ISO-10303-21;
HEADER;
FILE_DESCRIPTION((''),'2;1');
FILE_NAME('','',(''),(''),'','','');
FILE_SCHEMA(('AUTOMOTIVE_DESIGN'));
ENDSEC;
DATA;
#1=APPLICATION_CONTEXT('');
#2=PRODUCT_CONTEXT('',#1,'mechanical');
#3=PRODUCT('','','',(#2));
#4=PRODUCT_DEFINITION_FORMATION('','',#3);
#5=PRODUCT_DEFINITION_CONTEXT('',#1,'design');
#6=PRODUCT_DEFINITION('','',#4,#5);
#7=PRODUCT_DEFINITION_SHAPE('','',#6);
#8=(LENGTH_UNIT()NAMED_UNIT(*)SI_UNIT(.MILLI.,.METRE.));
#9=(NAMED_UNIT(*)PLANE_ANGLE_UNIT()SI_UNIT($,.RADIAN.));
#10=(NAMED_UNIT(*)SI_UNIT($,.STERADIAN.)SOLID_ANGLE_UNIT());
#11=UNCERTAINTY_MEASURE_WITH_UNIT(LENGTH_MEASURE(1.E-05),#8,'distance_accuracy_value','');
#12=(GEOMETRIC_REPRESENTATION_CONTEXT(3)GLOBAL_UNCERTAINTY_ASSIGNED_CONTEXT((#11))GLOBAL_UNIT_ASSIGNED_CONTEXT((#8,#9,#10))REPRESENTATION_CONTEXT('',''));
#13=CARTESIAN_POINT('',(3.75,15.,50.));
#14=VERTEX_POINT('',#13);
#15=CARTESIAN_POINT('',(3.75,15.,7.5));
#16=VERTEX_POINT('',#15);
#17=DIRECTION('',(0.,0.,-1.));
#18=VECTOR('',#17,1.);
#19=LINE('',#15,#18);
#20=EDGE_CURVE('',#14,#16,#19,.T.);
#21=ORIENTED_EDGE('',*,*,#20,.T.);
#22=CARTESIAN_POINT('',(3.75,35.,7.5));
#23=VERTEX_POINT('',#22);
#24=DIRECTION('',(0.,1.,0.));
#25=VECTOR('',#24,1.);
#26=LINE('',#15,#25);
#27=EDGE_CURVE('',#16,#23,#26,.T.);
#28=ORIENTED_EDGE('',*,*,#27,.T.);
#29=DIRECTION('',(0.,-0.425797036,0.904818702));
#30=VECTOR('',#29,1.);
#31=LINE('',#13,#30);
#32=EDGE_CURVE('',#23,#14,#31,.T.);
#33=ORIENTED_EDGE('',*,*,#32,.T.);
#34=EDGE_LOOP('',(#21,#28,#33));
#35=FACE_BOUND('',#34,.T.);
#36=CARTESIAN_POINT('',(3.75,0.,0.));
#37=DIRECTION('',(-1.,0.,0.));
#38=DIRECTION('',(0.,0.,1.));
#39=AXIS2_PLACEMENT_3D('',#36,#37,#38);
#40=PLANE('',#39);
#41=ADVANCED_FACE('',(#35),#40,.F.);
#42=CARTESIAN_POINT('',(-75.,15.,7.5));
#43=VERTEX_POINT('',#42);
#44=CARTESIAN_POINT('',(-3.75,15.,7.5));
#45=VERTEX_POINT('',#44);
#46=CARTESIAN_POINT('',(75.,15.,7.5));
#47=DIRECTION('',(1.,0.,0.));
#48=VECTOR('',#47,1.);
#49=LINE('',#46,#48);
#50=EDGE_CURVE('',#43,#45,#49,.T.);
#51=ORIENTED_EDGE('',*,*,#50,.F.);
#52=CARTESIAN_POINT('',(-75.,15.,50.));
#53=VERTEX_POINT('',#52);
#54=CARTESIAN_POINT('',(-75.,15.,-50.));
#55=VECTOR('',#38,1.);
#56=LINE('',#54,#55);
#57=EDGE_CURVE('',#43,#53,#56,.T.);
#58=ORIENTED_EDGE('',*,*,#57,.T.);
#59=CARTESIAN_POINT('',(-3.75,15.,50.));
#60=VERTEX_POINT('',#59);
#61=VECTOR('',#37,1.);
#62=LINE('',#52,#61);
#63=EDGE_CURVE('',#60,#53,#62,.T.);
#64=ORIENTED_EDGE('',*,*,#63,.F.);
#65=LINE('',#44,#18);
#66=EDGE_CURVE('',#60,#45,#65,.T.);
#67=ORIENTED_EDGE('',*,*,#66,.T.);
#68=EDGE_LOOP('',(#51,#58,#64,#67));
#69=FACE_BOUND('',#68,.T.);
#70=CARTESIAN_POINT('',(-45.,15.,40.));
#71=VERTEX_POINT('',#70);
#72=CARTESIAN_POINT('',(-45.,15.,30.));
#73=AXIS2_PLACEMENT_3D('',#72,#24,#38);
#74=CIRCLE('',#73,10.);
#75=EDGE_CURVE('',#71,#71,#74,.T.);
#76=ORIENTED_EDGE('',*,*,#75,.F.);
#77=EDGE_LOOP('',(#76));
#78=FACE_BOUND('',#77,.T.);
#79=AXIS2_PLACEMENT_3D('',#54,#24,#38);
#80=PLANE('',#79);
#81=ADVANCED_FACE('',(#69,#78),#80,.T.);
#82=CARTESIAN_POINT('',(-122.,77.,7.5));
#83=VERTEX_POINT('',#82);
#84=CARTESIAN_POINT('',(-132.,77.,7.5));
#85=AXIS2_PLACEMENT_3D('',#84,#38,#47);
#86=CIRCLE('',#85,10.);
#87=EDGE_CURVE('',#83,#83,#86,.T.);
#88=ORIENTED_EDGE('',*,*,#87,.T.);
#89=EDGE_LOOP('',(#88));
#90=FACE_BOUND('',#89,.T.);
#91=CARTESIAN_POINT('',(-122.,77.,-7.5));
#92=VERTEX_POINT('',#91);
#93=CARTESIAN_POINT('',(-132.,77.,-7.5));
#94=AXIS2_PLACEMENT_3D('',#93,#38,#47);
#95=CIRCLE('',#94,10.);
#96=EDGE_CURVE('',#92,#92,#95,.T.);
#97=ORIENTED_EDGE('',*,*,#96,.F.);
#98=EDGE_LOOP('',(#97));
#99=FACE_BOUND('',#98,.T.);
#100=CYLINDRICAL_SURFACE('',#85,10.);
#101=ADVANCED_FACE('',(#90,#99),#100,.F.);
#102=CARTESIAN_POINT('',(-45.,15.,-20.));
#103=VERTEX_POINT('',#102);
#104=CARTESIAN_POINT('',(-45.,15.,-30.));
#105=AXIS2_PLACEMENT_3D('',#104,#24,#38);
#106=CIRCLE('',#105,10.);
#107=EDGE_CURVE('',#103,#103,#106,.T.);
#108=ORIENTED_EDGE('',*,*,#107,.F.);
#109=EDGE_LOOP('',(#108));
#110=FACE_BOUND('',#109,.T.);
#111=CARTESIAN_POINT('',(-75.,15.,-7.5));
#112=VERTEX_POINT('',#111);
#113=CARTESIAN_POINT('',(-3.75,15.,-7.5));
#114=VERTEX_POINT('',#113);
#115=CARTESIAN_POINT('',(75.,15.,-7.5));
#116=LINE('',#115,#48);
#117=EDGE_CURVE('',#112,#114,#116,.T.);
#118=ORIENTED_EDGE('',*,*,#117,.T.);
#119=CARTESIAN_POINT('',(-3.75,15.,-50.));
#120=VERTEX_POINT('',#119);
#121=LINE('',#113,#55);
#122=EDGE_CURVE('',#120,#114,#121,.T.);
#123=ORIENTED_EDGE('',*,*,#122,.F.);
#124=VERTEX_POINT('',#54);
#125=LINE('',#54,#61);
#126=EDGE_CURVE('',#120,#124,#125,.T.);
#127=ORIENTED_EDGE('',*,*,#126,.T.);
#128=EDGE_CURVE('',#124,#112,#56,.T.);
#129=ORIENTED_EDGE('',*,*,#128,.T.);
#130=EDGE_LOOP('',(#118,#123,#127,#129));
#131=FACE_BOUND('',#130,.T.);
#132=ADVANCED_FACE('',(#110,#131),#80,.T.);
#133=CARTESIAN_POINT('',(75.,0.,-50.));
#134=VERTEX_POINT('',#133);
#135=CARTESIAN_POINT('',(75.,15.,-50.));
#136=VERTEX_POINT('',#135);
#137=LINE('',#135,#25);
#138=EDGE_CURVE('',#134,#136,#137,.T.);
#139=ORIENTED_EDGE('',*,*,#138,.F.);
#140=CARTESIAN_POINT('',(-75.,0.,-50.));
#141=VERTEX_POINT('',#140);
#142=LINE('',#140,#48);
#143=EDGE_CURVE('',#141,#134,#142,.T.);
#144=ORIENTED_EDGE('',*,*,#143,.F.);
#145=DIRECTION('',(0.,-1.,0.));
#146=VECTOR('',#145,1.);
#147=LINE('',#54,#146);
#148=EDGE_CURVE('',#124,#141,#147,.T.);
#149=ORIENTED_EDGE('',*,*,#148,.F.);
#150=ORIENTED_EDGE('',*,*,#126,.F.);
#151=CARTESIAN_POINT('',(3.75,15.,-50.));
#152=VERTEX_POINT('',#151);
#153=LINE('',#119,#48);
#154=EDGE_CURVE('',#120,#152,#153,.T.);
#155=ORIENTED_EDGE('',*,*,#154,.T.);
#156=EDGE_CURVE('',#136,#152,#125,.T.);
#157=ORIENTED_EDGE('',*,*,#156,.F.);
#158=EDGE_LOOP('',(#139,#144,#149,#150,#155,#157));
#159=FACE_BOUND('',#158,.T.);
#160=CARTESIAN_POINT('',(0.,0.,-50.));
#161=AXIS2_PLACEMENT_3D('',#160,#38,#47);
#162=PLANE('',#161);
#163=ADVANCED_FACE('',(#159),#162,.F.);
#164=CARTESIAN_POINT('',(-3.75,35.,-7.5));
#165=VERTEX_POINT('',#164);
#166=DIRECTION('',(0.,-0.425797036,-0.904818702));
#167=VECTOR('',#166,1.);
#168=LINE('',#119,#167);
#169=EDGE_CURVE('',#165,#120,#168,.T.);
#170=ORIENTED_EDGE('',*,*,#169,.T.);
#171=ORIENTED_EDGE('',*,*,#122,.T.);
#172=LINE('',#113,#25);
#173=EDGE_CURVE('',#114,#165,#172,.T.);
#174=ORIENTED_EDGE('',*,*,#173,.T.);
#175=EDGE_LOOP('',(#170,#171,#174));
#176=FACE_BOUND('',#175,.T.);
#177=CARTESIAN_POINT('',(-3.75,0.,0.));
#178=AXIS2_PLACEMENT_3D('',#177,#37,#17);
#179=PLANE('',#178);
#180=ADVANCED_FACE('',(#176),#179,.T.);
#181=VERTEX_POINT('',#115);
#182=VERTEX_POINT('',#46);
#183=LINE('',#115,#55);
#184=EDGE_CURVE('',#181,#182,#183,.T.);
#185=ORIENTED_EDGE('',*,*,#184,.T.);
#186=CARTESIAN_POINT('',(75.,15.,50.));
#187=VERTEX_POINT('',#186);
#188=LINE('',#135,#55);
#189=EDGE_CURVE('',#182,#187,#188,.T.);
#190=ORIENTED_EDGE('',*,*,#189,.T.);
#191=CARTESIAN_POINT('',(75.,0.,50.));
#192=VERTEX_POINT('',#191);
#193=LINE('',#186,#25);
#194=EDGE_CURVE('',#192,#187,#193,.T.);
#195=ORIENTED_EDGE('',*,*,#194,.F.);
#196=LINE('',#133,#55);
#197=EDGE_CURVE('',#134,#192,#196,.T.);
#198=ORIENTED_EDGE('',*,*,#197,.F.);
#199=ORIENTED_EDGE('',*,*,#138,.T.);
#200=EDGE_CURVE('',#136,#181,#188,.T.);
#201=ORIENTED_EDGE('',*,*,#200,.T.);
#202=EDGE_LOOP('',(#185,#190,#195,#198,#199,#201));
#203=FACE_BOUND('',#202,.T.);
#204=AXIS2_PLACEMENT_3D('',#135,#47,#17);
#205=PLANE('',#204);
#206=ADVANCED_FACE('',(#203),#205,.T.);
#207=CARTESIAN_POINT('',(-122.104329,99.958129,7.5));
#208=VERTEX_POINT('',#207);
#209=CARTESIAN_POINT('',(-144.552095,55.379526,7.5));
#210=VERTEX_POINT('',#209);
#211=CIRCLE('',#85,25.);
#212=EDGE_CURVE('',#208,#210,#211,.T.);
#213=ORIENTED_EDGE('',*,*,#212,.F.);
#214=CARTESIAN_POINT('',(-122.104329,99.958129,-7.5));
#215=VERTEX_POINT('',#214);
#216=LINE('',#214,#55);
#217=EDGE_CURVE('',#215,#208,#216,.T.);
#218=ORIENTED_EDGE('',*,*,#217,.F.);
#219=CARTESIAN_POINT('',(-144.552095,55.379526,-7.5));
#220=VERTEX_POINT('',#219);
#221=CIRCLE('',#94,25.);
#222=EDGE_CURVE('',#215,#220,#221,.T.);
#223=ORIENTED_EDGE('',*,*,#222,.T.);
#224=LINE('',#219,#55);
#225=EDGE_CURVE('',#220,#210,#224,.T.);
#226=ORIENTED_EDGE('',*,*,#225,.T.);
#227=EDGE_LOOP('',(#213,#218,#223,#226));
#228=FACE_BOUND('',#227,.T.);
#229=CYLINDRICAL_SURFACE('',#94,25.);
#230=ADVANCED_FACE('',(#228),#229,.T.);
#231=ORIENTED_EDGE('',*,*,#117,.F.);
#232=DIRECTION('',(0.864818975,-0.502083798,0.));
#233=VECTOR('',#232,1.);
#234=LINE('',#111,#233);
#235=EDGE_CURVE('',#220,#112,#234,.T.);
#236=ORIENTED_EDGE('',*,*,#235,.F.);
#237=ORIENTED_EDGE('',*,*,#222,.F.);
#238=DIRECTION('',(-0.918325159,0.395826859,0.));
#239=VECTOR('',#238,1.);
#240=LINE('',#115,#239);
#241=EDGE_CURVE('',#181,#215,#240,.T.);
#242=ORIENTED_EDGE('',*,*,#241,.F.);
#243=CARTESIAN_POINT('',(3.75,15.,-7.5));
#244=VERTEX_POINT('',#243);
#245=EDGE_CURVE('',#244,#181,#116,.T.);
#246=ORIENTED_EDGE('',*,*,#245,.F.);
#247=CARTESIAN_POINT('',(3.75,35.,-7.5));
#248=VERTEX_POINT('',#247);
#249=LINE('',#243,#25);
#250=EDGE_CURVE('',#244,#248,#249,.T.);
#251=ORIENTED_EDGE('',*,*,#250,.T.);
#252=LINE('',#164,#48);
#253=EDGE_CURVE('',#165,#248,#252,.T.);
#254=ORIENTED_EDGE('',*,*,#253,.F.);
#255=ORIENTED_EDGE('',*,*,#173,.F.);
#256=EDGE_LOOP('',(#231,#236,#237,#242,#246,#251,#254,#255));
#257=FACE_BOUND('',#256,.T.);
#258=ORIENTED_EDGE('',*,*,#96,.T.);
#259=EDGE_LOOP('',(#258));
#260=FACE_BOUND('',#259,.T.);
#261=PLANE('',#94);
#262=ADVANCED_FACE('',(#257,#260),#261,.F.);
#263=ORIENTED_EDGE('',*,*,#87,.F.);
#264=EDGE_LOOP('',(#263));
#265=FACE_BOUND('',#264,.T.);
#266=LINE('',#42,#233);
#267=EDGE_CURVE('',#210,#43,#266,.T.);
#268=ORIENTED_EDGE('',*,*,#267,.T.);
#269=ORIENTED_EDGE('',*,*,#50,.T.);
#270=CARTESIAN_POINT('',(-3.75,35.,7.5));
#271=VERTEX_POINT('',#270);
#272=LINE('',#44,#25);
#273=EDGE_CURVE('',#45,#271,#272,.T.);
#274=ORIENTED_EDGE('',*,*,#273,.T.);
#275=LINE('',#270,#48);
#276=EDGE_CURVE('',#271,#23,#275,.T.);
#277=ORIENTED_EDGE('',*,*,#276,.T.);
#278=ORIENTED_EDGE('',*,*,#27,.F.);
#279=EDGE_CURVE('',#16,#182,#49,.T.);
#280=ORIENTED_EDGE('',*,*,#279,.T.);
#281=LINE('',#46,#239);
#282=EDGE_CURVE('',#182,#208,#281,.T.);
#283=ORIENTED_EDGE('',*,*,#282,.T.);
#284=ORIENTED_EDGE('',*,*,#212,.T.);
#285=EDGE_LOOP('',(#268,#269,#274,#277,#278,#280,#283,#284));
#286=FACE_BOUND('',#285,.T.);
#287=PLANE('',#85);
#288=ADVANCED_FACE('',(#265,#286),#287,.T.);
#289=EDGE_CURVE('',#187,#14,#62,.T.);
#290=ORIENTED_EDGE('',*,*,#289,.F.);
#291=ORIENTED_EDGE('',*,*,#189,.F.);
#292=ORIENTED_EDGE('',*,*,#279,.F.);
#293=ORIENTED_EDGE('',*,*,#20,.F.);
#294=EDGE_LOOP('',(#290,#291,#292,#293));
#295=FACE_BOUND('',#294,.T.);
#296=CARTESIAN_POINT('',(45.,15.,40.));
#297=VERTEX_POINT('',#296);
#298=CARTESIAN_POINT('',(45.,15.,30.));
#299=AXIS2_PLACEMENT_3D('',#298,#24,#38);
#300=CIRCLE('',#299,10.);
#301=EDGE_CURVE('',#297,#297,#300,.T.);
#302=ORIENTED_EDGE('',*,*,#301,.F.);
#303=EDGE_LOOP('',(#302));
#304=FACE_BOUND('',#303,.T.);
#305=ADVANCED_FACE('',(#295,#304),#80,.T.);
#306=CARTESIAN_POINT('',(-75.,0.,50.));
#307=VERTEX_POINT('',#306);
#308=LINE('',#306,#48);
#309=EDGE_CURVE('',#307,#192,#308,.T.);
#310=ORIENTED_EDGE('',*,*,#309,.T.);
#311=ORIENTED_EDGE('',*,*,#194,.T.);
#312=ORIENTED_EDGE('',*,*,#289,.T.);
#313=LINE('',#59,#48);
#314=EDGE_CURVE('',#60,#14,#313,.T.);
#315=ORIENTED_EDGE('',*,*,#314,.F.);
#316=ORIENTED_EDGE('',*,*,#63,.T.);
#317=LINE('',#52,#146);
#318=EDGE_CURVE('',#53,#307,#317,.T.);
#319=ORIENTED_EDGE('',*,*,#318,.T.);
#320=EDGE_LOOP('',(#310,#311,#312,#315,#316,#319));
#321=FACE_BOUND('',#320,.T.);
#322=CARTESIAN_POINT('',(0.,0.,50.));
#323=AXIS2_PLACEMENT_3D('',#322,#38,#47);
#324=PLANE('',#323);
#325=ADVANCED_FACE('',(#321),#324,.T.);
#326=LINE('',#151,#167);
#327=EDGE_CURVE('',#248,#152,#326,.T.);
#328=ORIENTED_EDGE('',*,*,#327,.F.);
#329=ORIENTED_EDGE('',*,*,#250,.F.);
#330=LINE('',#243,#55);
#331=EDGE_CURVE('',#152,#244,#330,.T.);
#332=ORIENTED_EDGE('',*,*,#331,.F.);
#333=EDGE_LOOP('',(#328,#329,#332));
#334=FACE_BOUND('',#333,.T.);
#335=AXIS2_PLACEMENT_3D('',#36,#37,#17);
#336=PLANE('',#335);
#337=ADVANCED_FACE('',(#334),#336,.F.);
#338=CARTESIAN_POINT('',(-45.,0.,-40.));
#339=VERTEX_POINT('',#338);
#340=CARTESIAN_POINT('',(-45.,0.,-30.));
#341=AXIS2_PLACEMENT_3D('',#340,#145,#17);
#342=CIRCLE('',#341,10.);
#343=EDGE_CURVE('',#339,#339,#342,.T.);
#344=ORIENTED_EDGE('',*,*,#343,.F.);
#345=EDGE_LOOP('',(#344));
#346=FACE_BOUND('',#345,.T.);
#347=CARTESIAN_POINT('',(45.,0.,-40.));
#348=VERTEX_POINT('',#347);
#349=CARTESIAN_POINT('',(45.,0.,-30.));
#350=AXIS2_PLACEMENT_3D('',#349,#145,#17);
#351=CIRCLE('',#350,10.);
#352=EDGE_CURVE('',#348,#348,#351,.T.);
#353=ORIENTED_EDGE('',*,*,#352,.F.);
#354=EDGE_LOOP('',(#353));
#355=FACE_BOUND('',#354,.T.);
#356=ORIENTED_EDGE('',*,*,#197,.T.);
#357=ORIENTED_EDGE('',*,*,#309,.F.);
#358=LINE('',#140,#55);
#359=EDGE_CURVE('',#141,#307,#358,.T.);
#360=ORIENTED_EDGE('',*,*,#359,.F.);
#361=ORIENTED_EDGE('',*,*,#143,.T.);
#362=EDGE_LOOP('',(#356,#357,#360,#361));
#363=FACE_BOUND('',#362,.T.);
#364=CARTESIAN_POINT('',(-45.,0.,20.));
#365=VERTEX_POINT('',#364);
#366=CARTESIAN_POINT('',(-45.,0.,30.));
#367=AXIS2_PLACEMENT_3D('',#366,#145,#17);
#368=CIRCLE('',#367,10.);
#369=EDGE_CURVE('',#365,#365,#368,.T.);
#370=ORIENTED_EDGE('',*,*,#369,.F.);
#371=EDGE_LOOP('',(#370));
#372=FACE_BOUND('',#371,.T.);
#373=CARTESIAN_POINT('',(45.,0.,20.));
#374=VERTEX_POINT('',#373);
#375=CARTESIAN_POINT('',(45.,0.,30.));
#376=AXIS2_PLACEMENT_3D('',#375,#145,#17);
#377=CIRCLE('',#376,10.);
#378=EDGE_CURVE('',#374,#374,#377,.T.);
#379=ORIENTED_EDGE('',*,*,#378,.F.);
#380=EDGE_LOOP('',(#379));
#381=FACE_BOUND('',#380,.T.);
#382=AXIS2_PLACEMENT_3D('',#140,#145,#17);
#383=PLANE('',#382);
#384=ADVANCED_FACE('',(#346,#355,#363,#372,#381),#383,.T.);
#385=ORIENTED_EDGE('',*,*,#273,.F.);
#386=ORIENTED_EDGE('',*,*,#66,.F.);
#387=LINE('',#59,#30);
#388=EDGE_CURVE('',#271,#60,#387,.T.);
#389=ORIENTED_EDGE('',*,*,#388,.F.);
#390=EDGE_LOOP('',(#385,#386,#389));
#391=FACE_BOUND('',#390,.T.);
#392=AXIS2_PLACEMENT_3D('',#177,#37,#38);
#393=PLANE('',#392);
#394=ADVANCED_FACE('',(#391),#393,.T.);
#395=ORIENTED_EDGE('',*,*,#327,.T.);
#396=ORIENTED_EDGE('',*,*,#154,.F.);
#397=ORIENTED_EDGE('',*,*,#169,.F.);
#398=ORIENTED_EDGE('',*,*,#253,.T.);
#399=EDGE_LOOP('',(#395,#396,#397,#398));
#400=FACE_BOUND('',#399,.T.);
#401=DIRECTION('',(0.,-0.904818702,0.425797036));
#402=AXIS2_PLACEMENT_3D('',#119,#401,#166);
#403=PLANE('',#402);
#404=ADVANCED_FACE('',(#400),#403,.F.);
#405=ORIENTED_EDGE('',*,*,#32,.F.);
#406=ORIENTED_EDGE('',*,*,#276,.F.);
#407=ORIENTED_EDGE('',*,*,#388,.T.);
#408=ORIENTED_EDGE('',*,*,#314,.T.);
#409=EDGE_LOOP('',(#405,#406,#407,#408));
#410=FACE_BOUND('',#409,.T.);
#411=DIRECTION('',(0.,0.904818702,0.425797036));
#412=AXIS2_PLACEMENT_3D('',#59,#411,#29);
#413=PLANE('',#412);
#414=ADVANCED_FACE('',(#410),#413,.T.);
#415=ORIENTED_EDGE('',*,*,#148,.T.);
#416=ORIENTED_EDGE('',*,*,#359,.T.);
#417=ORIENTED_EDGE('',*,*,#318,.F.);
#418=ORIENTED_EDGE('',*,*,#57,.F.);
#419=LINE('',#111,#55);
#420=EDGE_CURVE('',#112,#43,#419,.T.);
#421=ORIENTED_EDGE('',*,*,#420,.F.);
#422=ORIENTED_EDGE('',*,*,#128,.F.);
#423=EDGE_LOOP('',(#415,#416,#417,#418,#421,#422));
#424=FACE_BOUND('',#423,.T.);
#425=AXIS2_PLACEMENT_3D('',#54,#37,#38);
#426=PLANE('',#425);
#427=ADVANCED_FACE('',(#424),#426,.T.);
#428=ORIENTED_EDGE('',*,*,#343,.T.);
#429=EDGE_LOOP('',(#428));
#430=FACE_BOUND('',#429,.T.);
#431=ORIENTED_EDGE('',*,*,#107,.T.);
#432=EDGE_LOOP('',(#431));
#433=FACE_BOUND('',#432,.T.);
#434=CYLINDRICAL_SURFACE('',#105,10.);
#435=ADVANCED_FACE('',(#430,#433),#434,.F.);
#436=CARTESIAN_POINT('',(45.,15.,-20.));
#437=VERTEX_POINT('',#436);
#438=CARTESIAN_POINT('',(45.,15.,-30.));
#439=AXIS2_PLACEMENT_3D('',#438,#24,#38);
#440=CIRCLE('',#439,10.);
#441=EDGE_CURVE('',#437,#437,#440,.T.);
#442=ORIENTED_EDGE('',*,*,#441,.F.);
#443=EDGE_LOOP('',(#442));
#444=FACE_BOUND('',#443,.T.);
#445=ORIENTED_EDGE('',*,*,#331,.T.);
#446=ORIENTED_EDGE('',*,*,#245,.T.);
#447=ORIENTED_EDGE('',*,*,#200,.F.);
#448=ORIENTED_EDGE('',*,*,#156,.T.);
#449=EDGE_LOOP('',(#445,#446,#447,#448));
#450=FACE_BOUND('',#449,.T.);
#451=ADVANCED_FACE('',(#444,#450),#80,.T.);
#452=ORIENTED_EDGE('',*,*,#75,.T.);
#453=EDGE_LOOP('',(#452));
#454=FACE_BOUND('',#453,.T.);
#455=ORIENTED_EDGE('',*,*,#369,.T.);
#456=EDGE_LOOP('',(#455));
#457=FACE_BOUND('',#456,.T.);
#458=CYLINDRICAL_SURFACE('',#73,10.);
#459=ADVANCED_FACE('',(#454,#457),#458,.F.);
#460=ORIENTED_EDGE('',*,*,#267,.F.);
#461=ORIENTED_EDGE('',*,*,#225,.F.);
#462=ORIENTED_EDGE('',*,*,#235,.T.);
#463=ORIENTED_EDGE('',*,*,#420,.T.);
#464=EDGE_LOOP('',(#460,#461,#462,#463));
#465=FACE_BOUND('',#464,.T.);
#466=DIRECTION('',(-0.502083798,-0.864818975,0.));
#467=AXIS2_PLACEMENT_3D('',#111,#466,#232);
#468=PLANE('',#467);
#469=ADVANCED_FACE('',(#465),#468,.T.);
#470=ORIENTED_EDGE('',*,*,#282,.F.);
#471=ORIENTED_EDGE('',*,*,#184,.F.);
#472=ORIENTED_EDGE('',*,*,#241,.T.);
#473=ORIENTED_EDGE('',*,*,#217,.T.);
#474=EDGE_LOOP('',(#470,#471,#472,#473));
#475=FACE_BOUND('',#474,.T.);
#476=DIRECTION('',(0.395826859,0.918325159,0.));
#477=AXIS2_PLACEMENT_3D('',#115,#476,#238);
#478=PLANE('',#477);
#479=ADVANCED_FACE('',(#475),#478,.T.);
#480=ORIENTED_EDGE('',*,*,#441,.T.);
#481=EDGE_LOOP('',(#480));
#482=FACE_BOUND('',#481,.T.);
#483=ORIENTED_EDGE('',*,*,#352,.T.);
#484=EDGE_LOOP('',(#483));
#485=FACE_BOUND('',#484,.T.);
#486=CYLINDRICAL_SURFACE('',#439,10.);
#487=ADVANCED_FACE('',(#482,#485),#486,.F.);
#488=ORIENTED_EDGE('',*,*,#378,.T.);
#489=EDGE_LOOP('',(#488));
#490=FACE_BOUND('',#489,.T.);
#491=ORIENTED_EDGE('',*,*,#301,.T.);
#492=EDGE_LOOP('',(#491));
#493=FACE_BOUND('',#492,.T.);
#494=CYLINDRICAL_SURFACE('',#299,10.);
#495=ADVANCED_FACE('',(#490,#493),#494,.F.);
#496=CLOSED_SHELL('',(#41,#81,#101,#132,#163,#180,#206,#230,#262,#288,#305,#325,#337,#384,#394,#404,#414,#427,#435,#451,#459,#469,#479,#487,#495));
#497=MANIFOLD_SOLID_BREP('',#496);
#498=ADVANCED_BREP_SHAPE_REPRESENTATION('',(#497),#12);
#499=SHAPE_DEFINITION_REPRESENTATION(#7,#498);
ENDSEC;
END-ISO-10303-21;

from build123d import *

# Parameters (mm, degrees)
BOSS_EXTRUDE1_DEPTH      = 50
BOSS_EXTRUDE1_DEPTH_BACK = 50
SKETCH1_W                = 150
SKETCH1_H                = 15
BOSS_EXTRUDE2_DEPTH      = 7.5
BOSS_EXTRUDE2_DEPTH_BACK = 7.5
HOLE1_D                  = 20
BOSS_EXTRUDE3_DEPTH      = 3.75
HOLE2_D                  = 20


with BuildPart() as part:
    # Sketch1 → Boss-Extrude1 (new, two sides: drawn at the far end of the back side and taken through both)
    with BuildSketch(Plane.XY.offset(-BOSS_EXTRUDE1_DEPTH_BACK)):
        with Locations((0, 7.5)):
            Rectangle(SKETCH1_W, SKETCH1_H)
    extrude(amount=BOSS_EXTRUDE1_DEPTH + BOSS_EXTRUDE1_DEPTH_BACK)

    # Sketch2 → Boss-Extrude2 (add, two sides: drawn at the far end of the back side and taken through both)
    with BuildSketch(Plane.XY.offset(-BOSS_EXTRUDE2_DEPTH_BACK)):
        with BuildLine():
            Line((75, 15), (-122.10432852, 99.958128973))
            ThreePointArc((-122.10432852, 99.958128973), (-154.328840447, 88.243793145), (-144.552094943, 55.379525617))
            Line((-144.552094943, 55.379525617), (-75, 15))
            Line((-75, 15), (75, 15))
        make_face()
    extrude(amount=BOSS_EXTRUDE2_DEPTH + BOSS_EXTRUDE2_DEPTH_BACK)

    # Hole1 (through all)
    with Locations(Plane.XY.offset(7.5)):
        with Locations((-132, 77)):
            Hole(HOLE1_D / 2)

    # Sketch5 → Boss-Extrude3 (add, symmetric)
    with BuildSketch(Plane(origin=(0, 0, 0), x_dir=(0, 0, -1), z_dir=(1, 0, 0))):
        Polygon((-50, 15), (-7.5, 35), (-7.5, 15), align=None)
    boss_extrude3 = extrude(amount=BOSS_EXTRUDE3_DEPTH, both=True)

    # Mirror1: Boss-Extrude3 across plane
    add(boss_extrude3.mirror(Plane.XY))

    # Hole2 (through all)
    with Locations(Plane(origin=(0, 15, 0), x_dir=(1, 0, 0), z_dir=(0, 1, 0))):
        with Locations((45, -30), (-45, -30)):
            hole2 = Hole(HOLE2_D / 2)

    # Mirror2: Hole2 across plane
    add(hole2.mirror(Plane.XY), mode=Mode.SUBTRACT)


solid = part.part
